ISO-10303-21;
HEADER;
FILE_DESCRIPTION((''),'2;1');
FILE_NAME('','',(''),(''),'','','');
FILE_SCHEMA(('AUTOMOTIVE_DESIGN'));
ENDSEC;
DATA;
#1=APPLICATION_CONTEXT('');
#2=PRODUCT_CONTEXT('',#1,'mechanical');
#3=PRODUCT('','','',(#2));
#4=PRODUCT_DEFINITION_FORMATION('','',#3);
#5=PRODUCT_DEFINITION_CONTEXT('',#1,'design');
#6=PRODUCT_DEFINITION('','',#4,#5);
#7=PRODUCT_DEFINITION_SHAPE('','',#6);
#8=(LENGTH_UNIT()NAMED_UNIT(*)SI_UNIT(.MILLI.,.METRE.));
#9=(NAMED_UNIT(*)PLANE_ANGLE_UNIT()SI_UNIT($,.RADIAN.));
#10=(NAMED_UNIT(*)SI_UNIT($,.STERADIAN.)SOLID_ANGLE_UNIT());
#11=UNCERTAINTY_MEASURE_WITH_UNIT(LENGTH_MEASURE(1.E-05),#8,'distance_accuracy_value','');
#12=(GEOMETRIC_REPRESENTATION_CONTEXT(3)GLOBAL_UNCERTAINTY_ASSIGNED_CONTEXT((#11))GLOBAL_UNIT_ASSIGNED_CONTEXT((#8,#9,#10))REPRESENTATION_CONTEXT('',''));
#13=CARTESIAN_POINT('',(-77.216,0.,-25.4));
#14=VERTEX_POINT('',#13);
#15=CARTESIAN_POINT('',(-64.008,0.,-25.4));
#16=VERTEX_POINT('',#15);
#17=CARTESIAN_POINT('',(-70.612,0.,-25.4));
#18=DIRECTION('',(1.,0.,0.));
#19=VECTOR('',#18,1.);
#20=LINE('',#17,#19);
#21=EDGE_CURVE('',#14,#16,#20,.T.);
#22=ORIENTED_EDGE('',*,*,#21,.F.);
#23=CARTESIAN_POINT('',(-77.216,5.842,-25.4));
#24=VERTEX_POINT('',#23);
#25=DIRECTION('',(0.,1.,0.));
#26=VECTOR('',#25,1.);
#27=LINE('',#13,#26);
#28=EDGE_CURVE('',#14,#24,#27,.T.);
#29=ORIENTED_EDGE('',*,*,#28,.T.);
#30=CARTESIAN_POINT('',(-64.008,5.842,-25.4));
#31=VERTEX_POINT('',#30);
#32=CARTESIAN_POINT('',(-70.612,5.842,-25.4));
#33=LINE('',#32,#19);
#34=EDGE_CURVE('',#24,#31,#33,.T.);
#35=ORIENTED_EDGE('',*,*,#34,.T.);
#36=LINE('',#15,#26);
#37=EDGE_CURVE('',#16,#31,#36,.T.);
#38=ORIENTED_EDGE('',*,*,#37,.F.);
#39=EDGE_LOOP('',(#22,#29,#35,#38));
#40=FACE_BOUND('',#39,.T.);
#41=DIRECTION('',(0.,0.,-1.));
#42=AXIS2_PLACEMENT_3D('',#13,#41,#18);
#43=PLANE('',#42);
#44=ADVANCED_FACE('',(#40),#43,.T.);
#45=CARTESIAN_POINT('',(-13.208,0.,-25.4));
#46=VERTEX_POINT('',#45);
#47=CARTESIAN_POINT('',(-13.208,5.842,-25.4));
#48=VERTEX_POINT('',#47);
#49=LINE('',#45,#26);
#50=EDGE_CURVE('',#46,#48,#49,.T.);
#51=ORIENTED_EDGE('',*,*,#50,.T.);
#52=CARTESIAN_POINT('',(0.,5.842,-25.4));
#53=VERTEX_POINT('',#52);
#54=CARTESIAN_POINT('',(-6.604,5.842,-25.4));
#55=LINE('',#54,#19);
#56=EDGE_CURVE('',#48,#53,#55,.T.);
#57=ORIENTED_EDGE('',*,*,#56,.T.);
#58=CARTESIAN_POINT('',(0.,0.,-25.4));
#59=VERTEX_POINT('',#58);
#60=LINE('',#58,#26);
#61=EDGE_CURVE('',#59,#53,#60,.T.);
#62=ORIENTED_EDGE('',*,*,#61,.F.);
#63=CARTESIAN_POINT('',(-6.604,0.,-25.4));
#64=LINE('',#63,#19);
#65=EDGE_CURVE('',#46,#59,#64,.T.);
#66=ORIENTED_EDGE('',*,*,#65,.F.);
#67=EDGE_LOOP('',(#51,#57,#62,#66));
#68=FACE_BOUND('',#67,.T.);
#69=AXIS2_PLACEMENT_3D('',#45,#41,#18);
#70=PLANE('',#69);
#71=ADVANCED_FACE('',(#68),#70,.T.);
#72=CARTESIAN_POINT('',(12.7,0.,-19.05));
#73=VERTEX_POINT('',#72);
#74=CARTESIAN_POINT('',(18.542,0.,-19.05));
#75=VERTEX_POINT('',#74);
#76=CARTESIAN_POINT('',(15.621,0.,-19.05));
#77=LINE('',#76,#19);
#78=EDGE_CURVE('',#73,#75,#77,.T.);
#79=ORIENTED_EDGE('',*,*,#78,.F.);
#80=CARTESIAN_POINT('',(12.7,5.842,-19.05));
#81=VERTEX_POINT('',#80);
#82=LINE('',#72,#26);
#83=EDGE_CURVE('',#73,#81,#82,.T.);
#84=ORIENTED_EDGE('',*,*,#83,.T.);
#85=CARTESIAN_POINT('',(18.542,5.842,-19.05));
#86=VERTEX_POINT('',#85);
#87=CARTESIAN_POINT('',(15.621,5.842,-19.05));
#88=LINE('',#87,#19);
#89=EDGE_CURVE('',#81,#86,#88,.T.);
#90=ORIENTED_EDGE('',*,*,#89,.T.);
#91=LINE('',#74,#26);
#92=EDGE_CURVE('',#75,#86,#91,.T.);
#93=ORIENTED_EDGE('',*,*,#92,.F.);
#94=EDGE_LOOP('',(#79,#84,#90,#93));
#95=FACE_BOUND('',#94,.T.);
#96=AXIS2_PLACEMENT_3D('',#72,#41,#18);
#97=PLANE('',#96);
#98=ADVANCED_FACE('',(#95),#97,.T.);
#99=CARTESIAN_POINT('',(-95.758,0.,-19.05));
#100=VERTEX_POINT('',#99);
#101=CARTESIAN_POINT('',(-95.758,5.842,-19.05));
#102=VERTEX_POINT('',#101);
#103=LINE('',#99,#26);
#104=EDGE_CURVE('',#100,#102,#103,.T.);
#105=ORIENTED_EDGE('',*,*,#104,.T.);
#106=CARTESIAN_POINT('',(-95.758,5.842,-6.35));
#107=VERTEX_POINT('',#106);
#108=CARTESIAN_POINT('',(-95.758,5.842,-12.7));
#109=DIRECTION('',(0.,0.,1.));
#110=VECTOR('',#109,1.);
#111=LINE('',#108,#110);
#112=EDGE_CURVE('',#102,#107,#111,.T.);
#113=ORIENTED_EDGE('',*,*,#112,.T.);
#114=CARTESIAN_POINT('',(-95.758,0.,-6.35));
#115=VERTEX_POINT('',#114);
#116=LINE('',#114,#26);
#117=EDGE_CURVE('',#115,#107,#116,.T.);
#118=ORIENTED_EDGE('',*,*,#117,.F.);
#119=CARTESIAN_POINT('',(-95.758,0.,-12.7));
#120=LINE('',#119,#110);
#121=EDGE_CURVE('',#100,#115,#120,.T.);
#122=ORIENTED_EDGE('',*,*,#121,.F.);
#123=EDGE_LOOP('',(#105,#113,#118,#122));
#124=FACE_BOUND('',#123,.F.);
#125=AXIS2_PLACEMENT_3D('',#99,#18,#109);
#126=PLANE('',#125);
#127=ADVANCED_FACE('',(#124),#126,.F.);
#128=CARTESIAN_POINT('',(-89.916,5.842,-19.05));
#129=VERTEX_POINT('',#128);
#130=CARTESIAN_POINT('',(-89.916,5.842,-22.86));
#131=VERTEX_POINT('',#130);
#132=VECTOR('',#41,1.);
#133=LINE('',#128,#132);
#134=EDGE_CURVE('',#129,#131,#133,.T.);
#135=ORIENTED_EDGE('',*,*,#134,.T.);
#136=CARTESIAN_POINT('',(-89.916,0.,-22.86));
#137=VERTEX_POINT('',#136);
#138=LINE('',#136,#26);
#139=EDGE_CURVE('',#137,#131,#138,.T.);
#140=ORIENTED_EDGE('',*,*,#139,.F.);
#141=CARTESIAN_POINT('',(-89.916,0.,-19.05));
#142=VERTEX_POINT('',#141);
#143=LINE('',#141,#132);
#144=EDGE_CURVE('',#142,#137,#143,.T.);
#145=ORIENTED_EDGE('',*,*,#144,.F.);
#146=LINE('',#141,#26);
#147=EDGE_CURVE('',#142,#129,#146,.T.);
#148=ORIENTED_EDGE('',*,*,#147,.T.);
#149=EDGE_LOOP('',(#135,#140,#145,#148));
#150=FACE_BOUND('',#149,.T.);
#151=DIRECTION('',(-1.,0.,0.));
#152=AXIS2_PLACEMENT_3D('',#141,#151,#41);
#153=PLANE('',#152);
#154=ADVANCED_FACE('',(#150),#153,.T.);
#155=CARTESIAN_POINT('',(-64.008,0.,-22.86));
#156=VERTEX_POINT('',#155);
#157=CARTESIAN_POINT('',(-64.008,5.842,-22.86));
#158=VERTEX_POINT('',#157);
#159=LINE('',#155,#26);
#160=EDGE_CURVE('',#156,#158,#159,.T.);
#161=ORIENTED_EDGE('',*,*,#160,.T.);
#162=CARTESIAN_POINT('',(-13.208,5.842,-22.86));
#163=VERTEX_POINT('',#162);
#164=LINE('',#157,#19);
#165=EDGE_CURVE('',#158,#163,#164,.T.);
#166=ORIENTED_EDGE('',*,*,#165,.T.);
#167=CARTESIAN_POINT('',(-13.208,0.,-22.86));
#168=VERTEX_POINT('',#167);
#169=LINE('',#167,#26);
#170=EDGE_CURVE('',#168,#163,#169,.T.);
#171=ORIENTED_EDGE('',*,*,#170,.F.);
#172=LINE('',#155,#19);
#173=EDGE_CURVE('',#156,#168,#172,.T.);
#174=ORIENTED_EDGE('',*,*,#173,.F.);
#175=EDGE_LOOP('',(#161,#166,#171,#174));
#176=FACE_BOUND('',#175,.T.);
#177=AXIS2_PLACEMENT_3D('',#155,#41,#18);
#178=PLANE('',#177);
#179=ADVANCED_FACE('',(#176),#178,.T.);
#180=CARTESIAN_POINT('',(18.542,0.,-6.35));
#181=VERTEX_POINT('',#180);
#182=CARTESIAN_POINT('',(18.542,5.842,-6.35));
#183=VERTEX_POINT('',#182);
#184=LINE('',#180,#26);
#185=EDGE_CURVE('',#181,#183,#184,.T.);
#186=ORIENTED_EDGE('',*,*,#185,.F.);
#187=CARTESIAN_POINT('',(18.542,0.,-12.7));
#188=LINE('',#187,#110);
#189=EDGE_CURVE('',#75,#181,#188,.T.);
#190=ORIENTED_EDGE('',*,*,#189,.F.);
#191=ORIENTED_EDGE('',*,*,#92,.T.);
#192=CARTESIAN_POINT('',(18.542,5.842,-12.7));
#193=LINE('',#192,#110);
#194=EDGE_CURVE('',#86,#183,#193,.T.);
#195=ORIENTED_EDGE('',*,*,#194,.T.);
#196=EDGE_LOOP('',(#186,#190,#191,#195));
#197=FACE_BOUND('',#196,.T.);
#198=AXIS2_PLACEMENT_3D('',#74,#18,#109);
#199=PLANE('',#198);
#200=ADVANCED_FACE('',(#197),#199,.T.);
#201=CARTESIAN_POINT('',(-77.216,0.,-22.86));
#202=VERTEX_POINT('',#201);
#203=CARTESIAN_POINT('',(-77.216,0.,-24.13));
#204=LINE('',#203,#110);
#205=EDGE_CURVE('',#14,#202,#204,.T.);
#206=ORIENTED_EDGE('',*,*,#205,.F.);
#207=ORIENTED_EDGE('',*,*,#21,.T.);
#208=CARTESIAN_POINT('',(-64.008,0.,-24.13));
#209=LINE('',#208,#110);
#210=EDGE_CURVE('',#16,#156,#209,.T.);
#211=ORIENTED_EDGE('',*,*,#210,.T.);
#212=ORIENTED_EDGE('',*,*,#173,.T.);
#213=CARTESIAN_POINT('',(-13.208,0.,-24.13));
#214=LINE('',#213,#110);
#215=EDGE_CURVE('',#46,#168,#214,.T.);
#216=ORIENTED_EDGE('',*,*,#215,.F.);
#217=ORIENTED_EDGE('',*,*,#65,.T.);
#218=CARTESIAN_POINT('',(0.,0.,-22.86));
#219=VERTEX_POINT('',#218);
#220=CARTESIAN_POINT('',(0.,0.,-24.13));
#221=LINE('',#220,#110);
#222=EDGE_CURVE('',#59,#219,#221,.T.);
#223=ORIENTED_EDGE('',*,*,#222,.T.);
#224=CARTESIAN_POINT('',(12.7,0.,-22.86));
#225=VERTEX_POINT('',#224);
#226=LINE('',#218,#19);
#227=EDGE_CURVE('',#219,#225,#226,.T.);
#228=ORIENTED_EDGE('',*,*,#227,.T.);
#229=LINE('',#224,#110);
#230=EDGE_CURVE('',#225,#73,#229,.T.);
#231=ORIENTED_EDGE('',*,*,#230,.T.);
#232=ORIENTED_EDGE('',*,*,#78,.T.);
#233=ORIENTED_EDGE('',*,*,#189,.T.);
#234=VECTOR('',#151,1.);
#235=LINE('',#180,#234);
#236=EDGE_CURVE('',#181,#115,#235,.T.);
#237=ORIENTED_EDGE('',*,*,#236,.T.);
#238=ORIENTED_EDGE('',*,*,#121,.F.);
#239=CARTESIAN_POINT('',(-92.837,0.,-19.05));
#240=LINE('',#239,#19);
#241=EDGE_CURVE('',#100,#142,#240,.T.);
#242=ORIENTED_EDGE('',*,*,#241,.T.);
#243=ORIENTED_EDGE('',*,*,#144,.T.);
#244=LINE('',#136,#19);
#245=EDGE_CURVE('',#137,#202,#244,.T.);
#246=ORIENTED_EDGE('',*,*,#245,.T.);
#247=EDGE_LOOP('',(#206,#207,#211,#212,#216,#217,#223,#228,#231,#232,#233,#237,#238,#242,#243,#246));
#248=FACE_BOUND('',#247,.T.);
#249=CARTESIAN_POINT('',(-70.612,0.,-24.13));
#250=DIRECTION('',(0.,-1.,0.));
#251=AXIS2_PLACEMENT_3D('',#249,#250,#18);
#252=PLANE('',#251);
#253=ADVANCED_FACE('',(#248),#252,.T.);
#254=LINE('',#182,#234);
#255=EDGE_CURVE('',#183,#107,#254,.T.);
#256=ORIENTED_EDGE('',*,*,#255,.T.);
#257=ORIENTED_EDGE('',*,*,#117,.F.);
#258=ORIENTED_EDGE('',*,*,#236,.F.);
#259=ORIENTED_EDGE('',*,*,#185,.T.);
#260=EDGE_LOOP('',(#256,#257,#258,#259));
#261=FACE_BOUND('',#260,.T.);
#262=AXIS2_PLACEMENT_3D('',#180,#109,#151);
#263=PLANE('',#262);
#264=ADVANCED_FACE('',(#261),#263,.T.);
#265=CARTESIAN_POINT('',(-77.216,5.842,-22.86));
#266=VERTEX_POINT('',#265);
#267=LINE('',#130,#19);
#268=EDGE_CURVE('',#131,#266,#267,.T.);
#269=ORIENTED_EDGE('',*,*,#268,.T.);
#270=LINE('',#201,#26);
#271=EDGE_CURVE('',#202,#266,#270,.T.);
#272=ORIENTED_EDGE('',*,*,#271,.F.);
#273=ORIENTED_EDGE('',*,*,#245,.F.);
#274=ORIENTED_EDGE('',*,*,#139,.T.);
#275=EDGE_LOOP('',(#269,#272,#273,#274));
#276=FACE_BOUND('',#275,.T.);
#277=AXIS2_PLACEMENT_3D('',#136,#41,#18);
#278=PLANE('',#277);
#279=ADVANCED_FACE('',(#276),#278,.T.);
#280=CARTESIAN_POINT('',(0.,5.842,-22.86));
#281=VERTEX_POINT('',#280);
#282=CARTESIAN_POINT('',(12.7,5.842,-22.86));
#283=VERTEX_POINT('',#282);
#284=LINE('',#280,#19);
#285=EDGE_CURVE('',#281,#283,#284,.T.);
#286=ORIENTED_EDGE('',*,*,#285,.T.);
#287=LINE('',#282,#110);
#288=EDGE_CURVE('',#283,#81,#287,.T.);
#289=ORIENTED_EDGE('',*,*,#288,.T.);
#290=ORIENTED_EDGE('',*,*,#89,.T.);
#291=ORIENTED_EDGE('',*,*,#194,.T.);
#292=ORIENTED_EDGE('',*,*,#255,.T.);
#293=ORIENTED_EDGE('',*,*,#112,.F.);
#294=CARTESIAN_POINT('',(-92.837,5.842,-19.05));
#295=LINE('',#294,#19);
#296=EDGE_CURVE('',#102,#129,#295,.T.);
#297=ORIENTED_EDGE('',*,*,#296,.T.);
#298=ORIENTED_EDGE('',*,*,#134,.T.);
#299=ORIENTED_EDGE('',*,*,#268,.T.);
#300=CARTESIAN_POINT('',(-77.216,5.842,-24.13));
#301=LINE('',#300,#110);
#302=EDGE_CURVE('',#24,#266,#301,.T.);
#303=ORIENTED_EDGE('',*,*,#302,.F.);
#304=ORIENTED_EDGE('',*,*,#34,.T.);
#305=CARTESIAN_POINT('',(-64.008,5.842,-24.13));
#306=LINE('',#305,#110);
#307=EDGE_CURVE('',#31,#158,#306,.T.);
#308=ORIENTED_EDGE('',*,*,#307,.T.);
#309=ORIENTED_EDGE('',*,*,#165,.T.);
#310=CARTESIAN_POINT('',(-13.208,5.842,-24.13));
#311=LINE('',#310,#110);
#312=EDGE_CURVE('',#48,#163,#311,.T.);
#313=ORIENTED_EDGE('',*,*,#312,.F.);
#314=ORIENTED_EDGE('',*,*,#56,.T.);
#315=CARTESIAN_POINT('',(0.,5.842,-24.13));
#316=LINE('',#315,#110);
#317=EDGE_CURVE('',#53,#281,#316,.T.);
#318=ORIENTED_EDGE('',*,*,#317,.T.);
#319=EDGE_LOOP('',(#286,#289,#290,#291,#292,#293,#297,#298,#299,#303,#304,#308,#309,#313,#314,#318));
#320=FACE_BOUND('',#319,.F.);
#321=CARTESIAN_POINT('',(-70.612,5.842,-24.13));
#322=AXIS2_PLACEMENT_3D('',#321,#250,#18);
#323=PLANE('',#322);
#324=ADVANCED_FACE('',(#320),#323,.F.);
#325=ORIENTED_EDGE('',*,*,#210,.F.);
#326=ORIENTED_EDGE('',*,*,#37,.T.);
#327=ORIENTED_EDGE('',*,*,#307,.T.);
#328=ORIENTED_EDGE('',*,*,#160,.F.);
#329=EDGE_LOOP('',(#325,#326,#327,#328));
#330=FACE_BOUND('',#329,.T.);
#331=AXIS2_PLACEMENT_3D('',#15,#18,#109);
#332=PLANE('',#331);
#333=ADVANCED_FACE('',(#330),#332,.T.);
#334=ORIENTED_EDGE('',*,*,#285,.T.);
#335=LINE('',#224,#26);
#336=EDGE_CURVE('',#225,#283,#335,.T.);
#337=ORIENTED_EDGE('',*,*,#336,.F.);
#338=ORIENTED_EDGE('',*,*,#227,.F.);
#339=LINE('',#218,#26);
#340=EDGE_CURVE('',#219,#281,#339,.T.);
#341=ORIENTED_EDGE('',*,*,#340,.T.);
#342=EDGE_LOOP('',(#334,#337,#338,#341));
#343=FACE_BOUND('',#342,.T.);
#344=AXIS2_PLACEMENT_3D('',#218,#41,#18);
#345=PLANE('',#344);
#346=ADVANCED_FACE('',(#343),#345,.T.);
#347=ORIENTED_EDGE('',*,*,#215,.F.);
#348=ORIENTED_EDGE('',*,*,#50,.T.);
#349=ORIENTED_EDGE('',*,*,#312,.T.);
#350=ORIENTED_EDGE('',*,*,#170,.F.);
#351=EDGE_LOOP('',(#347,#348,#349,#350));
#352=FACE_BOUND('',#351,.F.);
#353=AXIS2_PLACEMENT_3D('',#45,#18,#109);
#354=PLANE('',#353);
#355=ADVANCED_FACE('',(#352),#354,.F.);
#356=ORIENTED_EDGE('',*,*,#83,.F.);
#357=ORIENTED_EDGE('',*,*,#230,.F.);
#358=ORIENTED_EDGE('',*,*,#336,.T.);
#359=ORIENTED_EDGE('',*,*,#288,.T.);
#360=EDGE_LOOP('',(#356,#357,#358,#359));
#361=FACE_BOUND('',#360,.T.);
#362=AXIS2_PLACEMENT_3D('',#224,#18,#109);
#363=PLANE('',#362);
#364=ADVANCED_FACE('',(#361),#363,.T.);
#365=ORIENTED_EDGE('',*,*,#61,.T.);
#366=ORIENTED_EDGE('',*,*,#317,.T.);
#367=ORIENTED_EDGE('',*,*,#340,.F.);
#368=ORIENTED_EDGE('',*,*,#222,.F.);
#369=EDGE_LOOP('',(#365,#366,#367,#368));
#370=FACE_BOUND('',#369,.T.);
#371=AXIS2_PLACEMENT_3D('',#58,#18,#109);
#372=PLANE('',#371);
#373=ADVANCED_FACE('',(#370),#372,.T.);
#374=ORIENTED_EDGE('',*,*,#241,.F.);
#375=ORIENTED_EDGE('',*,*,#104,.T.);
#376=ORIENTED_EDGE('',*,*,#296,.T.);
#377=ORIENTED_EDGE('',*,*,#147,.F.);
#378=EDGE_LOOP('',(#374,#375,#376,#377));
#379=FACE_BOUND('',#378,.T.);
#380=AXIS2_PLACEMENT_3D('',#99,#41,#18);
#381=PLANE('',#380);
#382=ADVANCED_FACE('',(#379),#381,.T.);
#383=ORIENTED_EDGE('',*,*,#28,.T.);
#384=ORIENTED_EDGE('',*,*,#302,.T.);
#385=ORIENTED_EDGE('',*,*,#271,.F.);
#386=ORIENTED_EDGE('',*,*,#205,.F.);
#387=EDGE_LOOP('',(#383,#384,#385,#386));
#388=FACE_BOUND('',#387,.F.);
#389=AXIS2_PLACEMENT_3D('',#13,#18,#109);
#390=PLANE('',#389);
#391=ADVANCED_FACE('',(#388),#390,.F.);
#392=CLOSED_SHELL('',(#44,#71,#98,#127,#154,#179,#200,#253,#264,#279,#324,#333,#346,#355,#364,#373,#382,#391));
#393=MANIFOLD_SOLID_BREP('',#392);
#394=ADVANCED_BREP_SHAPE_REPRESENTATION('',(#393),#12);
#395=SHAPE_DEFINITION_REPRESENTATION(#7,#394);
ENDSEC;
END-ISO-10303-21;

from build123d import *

# Parameters (mm, degrees)
F0_W     = 13.208
F0_H     = 2.54
F0_W_2   = 5.842
F0_H_2   = 12.7
F1_DEPTH = 5.842


with BuildPart() as f1:
    # F0 (on Front) → F1 (new body)
    with BuildSketch(Plane.XZ):
        with Locations((-70.612, -24.13)):
            Rectangle(F0_W, F0_H)
        with Locations((-6.604, -24.13)):
            Rectangle(F0_W, F0_H)
        with Locations((-92.837, -12.7)):
            Rectangle(F0_W_2, F0_H_2)
        with Locations((15.621, -12.7)):
            Rectangle(F0_W_2, F0_H_2)
        Polygon((12.7, -6.35), (-89.916, -6.35), (-89.916, -19.05), (-89.916, -22.86), (-77.216, -22.86), (-64.008, -22.86), (-13.208, -22.86), (0, -22.86), (12.7, -22.86), (12.7, -19.05), align=None)
    extrude(amount=-F1_DEPTH)


solid = f1.part
